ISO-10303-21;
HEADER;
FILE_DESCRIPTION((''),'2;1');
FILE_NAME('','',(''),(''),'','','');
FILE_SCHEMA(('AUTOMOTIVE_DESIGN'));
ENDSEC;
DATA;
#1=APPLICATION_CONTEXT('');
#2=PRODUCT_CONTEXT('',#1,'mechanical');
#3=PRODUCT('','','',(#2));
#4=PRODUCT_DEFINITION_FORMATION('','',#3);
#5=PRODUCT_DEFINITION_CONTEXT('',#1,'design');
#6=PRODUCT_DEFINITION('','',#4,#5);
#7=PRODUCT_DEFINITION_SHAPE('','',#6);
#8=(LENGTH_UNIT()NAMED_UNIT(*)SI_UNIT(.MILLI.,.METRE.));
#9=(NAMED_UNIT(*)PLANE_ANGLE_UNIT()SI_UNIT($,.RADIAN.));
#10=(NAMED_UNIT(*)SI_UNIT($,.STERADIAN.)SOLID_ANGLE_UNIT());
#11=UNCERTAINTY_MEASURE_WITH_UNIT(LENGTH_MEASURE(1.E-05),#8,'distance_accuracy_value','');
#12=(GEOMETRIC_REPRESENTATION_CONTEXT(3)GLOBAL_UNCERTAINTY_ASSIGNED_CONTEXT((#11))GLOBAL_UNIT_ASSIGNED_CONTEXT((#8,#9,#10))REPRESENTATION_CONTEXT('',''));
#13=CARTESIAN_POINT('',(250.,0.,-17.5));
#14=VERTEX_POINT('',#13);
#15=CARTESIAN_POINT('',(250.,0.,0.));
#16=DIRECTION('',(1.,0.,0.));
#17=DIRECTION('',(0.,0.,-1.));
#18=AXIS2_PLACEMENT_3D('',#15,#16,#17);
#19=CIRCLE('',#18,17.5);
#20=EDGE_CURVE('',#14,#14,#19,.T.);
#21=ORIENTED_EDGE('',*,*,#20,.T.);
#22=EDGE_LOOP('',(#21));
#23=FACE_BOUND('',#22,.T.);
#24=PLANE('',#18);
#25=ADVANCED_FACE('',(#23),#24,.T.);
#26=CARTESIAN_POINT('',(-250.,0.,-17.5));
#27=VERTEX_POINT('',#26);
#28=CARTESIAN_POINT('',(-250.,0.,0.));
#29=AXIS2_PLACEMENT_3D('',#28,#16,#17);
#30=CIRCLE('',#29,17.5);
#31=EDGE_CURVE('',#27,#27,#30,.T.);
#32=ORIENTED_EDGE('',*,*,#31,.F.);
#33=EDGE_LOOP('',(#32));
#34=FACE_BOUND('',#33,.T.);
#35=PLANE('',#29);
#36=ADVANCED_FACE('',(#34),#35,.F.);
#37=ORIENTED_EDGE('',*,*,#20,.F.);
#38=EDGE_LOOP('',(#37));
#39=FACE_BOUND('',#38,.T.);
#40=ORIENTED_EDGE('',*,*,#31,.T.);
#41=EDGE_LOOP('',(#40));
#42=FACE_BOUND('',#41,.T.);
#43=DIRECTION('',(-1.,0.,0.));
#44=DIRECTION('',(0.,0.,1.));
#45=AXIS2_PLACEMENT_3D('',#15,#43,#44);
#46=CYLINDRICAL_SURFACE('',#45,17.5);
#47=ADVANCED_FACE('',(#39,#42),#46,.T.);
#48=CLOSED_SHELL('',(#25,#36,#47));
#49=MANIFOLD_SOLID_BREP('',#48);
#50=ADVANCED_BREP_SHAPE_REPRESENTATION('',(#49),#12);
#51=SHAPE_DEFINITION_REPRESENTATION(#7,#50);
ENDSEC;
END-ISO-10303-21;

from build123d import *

# Parameters (mm, degrees)
SKETCH1_R           = 17.5
BOSS_EXTRUDE1_DEPTH = 250


with BuildPart() as part:
    # Sketch1 → Boss-Extrude1 (new body, symmetric)
    with BuildSketch(Plane(origin=(0, 0, 0), x_dir=(0, 0, -1), z_dir=(1, 0, 0))):
        Circle(SKETCH1_R)
    extrude(amount=BOSS_EXTRUDE1_DEPTH, both=True)


solid = part.part
